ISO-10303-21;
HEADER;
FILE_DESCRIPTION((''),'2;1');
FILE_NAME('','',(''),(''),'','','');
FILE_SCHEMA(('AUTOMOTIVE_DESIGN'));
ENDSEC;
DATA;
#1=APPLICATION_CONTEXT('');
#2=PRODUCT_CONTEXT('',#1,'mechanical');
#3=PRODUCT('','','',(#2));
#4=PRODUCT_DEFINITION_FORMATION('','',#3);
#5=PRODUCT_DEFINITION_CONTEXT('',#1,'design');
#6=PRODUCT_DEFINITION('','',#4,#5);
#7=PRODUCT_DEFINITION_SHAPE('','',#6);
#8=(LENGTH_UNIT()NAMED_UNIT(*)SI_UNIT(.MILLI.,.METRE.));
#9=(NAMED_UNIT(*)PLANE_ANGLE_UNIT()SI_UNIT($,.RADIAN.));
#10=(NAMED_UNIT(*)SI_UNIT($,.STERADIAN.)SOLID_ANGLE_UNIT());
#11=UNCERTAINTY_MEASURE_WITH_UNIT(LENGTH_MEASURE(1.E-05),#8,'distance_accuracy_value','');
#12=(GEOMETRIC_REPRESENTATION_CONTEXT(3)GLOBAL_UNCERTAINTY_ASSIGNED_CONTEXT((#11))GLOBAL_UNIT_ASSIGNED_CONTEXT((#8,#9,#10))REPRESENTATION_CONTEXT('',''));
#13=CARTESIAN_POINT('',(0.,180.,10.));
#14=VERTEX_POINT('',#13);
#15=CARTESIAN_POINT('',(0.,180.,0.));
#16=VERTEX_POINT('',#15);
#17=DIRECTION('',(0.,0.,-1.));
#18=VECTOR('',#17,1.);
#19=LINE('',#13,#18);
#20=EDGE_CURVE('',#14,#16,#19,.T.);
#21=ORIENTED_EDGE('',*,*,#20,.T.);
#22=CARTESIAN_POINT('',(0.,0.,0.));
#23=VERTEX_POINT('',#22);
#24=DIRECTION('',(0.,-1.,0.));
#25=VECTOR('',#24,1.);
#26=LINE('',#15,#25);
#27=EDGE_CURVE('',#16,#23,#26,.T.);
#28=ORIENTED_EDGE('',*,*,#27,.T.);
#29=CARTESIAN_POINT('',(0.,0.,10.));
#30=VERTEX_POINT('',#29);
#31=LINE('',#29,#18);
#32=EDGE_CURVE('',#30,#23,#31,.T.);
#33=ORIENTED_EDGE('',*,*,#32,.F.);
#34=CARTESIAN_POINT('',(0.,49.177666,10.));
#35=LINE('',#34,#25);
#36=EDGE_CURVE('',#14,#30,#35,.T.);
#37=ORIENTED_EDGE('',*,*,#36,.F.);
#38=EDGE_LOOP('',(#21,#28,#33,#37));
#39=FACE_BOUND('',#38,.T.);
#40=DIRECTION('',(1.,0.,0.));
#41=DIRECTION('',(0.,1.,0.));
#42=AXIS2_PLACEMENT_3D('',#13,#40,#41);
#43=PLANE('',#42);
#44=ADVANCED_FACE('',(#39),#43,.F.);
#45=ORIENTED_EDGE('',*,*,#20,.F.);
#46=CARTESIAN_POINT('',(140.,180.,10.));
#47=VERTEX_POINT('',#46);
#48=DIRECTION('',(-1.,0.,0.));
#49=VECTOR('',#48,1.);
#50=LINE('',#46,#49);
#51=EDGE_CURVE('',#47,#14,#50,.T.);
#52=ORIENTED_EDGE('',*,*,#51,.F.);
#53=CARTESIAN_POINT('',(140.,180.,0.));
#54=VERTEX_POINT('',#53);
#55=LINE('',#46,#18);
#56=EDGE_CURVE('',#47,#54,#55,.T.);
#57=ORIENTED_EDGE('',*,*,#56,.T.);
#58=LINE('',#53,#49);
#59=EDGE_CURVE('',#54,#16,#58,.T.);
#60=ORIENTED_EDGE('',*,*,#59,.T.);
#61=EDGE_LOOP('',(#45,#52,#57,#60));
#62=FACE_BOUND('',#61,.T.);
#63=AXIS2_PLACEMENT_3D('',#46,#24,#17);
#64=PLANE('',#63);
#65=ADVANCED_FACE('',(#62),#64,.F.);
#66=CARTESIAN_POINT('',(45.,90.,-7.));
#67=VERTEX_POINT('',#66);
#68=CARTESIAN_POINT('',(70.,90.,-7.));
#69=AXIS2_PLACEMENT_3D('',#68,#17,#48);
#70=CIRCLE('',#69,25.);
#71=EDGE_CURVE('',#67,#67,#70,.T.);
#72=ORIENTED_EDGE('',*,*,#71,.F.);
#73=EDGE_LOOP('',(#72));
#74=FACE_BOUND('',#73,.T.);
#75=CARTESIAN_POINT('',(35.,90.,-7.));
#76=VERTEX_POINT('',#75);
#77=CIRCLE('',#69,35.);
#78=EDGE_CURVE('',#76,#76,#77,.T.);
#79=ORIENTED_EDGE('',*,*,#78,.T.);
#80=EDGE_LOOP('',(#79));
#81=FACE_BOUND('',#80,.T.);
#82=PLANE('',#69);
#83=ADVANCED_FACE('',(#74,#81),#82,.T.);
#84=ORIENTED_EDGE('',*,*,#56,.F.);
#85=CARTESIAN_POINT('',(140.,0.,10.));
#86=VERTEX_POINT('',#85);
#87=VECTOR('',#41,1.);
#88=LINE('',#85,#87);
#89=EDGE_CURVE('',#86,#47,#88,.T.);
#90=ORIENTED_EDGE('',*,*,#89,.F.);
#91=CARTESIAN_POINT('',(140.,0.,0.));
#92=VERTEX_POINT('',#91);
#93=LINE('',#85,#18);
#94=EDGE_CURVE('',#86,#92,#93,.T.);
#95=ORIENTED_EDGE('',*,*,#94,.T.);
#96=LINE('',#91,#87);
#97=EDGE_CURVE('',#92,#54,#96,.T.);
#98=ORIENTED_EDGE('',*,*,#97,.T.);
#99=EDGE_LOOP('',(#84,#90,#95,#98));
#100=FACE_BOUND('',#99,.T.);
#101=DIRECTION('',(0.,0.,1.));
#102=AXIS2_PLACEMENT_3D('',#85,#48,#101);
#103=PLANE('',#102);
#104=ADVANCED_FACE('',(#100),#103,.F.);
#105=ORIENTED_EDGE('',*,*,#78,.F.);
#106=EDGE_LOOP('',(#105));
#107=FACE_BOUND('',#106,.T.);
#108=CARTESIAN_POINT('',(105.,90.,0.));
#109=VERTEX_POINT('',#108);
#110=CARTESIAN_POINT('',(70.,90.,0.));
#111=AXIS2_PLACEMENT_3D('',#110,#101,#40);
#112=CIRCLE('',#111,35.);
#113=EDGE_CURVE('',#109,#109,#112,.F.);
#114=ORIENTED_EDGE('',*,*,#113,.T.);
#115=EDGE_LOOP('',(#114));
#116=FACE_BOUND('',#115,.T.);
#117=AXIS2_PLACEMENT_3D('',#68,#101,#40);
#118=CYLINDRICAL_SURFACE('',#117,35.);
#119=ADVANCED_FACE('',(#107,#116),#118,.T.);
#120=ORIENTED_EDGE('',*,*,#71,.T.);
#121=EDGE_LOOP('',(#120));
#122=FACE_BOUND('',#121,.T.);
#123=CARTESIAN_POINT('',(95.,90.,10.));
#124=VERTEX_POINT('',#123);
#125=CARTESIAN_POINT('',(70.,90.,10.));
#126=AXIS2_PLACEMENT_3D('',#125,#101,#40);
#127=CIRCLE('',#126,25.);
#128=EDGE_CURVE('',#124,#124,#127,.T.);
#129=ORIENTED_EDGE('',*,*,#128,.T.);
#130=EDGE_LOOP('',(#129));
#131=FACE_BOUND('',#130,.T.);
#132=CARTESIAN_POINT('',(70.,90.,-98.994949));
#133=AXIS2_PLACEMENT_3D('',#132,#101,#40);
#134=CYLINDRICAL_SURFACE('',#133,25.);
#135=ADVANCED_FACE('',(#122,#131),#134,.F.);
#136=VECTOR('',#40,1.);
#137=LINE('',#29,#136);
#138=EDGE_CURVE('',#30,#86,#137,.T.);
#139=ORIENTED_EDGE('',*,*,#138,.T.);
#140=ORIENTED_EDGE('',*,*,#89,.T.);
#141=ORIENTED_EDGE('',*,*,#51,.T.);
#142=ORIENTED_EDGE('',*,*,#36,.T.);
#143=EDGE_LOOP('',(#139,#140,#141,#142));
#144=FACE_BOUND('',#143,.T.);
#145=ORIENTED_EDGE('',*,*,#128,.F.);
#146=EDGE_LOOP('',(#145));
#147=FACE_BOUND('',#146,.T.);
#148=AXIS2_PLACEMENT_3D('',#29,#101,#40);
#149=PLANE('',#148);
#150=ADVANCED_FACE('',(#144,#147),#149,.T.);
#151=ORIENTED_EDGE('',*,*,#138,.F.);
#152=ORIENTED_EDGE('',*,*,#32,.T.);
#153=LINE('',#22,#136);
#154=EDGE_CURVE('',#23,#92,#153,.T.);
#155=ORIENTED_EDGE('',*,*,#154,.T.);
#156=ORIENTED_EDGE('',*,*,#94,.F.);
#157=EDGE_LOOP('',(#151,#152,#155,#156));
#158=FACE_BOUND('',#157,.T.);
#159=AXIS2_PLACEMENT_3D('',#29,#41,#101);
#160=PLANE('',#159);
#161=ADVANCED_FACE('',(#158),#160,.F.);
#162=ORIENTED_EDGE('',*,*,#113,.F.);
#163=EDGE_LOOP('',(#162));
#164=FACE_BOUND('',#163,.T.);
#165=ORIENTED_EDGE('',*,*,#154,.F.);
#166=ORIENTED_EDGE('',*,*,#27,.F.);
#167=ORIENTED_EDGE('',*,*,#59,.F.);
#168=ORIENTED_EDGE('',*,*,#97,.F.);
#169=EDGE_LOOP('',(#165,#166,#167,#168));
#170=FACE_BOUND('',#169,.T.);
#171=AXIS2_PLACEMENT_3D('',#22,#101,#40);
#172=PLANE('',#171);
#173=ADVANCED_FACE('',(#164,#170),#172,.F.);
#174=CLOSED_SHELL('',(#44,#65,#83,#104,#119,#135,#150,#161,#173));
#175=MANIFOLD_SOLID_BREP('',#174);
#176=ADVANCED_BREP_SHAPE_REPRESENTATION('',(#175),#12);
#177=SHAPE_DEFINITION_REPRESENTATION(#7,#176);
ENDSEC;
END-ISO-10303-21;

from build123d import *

# Parameters (mm, degrees)
CROQUIS1_R              = 35
SALIENTE_EXTRUIR1_DEPTH = 10
CROQUIS2_R              = 35
CROQUIS2_R_2            = 25
SALIENTE_EXTRUIR2_DEPTH = 7
SALIENTE_EXTRUIR4_START = -10
CROQUIS3_R              = 35
CROQUIS3_R_2            = 25
SALIENTE_EXTRUIR4_DEPTH = 10


with BuildPart() as part:
    # Croquis1 → Saliente-Extruir1 (new body)
    with BuildSketch(Plane.XY):
        Polygon((0, 0), (140, 0), (140, 180), (0, 180), (0, 49.177666069), align=None)
        with Locations((70, 90)):
            Circle(CROQUIS1_R, mode=Mode.SUBTRACT)
    extrude(amount=SALIENTE_EXTRUIR1_DEPTH)



with BuildPart() as body_2:
    # Croquis2 → Saliente-Extruir2 (new body)
    with BuildSketch(Plane(origin=(0, 0, 0), x_dir=(-1, 0, 0), z_dir=(0, 0, -1))):
        with Locations(Location((-70, 90, 0), (0, 0, 180))):
            Circle(CROQUIS2_R)
        with Locations((-70, 90)):
            Circle(CROQUIS2_R_2, mode=Mode.SUBTRACT)
    extrude(amount=SALIENTE_EXTRUIR2_DEPTH)


with BuildPart() as part_1:
    add(part.part)

    add(body_2.part)  # Saliente-Extruir4 merges body 2
    # Croquis3 → Saliente-Extruir4 (add)
    with BuildSketch(Plane.XY.offset(10).offset(SALIENTE_EXTRUIR4_START)):
        with Locations((70, 90)):
            Circle(CROQUIS3_R)
        with Locations((70, 90)):
            Circle(CROQUIS3_R_2, mode=Mode.SUBTRACT)
    extrude(amount=SALIENTE_EXTRUIR4_DEPTH)


solid = part_1.part
